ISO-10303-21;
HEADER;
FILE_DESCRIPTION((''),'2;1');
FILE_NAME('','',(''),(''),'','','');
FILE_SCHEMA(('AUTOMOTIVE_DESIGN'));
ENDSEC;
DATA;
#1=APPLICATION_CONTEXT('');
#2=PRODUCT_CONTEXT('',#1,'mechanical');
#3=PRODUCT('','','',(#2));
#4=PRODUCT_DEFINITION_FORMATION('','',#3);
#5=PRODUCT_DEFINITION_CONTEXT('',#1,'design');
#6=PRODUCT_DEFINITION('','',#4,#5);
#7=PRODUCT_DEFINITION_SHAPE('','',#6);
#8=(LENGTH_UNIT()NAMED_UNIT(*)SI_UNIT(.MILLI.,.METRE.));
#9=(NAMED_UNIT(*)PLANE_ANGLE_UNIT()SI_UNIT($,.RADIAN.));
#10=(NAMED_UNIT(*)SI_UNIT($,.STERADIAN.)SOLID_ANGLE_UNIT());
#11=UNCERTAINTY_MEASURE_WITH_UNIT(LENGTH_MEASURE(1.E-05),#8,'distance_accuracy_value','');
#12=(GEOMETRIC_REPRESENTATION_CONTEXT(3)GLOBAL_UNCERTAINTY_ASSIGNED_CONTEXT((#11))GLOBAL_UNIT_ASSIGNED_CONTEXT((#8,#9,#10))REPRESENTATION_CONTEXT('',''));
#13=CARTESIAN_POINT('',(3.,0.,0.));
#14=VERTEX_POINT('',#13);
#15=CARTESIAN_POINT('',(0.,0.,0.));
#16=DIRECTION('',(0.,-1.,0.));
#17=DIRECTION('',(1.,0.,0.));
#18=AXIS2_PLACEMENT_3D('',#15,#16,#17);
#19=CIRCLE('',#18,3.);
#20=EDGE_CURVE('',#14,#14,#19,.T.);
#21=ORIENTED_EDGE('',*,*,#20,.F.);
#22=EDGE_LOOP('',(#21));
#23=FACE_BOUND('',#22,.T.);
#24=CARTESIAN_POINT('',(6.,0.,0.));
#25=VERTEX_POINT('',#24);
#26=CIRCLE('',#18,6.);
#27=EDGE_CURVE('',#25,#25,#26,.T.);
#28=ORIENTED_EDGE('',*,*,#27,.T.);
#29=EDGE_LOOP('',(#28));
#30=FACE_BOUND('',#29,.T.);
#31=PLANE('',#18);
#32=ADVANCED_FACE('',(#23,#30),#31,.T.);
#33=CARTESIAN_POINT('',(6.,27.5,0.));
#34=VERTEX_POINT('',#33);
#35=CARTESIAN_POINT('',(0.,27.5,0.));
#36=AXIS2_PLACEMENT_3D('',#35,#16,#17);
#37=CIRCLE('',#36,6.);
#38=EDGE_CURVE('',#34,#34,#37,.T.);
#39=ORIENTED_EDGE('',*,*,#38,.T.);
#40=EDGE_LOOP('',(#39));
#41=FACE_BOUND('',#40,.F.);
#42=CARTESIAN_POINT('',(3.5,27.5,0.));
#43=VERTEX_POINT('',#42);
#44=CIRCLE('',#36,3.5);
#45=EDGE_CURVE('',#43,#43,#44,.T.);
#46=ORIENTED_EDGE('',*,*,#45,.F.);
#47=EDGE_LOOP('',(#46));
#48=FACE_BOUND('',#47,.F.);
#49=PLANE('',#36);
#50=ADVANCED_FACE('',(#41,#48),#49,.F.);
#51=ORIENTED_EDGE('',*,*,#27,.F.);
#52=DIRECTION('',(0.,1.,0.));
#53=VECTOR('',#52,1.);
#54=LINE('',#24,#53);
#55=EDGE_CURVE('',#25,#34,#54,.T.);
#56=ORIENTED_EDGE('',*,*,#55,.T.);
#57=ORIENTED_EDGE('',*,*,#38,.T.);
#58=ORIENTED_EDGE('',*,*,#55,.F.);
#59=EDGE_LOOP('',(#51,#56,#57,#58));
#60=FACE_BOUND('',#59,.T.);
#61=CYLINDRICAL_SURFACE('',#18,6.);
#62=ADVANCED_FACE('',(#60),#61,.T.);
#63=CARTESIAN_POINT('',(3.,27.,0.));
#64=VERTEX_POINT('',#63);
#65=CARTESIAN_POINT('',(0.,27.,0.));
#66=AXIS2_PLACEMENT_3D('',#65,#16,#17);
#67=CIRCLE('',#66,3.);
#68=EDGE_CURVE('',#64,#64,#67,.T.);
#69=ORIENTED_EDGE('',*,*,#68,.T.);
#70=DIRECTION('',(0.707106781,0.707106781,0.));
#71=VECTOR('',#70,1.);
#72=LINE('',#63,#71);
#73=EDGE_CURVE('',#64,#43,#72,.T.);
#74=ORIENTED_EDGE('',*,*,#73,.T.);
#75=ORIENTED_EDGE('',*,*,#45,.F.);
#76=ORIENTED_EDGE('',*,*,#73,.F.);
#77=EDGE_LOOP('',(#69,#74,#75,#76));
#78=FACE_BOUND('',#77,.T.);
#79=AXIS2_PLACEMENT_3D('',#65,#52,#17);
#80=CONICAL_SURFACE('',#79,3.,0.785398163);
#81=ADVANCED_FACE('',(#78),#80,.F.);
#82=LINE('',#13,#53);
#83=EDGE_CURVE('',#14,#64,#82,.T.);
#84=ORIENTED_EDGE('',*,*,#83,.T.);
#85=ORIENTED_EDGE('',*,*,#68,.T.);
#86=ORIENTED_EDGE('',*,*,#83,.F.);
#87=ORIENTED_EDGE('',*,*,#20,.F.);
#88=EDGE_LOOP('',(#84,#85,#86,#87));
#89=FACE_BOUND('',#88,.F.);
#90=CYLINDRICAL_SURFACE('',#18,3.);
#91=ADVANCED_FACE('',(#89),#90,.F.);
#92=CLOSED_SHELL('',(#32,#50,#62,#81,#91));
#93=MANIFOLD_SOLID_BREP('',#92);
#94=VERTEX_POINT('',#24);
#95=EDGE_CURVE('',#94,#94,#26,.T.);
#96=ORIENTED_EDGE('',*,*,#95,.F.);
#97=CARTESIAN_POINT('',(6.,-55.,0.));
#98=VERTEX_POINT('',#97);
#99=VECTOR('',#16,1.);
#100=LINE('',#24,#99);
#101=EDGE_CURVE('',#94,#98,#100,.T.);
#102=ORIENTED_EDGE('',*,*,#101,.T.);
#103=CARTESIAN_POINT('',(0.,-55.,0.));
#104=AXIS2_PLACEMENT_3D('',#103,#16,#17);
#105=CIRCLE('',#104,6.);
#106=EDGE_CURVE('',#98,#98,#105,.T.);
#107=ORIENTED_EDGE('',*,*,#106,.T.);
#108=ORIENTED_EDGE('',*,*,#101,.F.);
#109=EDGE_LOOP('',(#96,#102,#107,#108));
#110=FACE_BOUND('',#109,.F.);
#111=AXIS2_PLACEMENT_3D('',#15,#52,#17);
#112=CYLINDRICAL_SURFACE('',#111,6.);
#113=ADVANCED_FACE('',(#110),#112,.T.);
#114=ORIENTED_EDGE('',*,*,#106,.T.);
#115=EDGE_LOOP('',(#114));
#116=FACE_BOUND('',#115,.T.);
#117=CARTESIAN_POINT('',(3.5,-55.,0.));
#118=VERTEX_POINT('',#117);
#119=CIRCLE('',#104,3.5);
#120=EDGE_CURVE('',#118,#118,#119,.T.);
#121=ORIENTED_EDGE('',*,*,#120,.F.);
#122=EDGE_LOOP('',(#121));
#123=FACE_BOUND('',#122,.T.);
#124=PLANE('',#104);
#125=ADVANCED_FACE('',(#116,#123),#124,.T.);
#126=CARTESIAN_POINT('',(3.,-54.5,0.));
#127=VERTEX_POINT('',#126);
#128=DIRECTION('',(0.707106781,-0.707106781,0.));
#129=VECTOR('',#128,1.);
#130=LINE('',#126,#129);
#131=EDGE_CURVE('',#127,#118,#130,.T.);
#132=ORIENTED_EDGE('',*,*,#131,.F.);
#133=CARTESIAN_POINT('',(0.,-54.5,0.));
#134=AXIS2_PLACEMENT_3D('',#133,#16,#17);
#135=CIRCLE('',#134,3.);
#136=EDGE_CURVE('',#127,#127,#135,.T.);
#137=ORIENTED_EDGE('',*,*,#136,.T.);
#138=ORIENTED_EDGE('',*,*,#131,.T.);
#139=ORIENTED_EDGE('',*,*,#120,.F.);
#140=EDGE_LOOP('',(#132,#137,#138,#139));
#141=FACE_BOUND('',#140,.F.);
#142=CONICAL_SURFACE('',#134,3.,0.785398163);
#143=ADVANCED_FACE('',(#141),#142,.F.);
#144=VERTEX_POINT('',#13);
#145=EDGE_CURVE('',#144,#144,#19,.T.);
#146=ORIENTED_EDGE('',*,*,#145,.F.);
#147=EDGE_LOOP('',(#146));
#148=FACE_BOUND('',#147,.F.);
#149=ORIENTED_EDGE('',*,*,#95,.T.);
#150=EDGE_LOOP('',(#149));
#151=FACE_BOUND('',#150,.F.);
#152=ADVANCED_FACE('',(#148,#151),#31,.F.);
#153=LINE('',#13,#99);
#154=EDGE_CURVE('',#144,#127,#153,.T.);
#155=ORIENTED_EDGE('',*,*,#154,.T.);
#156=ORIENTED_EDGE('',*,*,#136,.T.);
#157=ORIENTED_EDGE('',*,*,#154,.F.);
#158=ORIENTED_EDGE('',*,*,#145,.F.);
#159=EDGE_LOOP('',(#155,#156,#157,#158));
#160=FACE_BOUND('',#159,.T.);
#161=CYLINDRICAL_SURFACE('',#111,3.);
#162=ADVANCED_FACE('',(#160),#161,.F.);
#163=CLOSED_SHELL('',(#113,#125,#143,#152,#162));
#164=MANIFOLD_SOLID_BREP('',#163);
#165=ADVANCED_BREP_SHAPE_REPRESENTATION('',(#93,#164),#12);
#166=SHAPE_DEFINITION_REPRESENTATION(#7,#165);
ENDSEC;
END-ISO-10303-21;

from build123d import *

# Parameters (mm, degrees)
F0_R     = 6
F0_R_2   = 3
F1_DEPTH = 55
F2_SIZE  = 0.5
F3_DEPTH = 27.5
F4_SIZE  = 0.5


with BuildPart() as f1:
    # F0 (on Front) → F1 (new body)
    with BuildSketch(Plane.XZ):
        Circle(F0_R)
        Circle(F0_R_2, mode=Mode.SUBTRACT)
    extrude(amount=F1_DEPTH)

    # F2
    f2_edges = [f1.edges().sort_by_distance(p)[0] for p in [
        (-3, -55, 0),
    ]]
    chamfer(f2_edges, length=F2_SIZE)


with BuildPart() as f3:
    # F0 (on Front) → F3 (new body)
    with BuildSketch(Plane.XZ):
        Circle(F0_R)
        Circle(F0_R_2, mode=Mode.SUBTRACT)
    extrude(amount=-F3_DEPTH)

    # F4
    f4_edges = [f3.edges().sort_by_distance(p)[0] for p in [
        (-3, 27.5, 0),
    ]]
    chamfer(f4_edges, length=F4_SIZE)


solid = Compound([f1.part, f3.part])
